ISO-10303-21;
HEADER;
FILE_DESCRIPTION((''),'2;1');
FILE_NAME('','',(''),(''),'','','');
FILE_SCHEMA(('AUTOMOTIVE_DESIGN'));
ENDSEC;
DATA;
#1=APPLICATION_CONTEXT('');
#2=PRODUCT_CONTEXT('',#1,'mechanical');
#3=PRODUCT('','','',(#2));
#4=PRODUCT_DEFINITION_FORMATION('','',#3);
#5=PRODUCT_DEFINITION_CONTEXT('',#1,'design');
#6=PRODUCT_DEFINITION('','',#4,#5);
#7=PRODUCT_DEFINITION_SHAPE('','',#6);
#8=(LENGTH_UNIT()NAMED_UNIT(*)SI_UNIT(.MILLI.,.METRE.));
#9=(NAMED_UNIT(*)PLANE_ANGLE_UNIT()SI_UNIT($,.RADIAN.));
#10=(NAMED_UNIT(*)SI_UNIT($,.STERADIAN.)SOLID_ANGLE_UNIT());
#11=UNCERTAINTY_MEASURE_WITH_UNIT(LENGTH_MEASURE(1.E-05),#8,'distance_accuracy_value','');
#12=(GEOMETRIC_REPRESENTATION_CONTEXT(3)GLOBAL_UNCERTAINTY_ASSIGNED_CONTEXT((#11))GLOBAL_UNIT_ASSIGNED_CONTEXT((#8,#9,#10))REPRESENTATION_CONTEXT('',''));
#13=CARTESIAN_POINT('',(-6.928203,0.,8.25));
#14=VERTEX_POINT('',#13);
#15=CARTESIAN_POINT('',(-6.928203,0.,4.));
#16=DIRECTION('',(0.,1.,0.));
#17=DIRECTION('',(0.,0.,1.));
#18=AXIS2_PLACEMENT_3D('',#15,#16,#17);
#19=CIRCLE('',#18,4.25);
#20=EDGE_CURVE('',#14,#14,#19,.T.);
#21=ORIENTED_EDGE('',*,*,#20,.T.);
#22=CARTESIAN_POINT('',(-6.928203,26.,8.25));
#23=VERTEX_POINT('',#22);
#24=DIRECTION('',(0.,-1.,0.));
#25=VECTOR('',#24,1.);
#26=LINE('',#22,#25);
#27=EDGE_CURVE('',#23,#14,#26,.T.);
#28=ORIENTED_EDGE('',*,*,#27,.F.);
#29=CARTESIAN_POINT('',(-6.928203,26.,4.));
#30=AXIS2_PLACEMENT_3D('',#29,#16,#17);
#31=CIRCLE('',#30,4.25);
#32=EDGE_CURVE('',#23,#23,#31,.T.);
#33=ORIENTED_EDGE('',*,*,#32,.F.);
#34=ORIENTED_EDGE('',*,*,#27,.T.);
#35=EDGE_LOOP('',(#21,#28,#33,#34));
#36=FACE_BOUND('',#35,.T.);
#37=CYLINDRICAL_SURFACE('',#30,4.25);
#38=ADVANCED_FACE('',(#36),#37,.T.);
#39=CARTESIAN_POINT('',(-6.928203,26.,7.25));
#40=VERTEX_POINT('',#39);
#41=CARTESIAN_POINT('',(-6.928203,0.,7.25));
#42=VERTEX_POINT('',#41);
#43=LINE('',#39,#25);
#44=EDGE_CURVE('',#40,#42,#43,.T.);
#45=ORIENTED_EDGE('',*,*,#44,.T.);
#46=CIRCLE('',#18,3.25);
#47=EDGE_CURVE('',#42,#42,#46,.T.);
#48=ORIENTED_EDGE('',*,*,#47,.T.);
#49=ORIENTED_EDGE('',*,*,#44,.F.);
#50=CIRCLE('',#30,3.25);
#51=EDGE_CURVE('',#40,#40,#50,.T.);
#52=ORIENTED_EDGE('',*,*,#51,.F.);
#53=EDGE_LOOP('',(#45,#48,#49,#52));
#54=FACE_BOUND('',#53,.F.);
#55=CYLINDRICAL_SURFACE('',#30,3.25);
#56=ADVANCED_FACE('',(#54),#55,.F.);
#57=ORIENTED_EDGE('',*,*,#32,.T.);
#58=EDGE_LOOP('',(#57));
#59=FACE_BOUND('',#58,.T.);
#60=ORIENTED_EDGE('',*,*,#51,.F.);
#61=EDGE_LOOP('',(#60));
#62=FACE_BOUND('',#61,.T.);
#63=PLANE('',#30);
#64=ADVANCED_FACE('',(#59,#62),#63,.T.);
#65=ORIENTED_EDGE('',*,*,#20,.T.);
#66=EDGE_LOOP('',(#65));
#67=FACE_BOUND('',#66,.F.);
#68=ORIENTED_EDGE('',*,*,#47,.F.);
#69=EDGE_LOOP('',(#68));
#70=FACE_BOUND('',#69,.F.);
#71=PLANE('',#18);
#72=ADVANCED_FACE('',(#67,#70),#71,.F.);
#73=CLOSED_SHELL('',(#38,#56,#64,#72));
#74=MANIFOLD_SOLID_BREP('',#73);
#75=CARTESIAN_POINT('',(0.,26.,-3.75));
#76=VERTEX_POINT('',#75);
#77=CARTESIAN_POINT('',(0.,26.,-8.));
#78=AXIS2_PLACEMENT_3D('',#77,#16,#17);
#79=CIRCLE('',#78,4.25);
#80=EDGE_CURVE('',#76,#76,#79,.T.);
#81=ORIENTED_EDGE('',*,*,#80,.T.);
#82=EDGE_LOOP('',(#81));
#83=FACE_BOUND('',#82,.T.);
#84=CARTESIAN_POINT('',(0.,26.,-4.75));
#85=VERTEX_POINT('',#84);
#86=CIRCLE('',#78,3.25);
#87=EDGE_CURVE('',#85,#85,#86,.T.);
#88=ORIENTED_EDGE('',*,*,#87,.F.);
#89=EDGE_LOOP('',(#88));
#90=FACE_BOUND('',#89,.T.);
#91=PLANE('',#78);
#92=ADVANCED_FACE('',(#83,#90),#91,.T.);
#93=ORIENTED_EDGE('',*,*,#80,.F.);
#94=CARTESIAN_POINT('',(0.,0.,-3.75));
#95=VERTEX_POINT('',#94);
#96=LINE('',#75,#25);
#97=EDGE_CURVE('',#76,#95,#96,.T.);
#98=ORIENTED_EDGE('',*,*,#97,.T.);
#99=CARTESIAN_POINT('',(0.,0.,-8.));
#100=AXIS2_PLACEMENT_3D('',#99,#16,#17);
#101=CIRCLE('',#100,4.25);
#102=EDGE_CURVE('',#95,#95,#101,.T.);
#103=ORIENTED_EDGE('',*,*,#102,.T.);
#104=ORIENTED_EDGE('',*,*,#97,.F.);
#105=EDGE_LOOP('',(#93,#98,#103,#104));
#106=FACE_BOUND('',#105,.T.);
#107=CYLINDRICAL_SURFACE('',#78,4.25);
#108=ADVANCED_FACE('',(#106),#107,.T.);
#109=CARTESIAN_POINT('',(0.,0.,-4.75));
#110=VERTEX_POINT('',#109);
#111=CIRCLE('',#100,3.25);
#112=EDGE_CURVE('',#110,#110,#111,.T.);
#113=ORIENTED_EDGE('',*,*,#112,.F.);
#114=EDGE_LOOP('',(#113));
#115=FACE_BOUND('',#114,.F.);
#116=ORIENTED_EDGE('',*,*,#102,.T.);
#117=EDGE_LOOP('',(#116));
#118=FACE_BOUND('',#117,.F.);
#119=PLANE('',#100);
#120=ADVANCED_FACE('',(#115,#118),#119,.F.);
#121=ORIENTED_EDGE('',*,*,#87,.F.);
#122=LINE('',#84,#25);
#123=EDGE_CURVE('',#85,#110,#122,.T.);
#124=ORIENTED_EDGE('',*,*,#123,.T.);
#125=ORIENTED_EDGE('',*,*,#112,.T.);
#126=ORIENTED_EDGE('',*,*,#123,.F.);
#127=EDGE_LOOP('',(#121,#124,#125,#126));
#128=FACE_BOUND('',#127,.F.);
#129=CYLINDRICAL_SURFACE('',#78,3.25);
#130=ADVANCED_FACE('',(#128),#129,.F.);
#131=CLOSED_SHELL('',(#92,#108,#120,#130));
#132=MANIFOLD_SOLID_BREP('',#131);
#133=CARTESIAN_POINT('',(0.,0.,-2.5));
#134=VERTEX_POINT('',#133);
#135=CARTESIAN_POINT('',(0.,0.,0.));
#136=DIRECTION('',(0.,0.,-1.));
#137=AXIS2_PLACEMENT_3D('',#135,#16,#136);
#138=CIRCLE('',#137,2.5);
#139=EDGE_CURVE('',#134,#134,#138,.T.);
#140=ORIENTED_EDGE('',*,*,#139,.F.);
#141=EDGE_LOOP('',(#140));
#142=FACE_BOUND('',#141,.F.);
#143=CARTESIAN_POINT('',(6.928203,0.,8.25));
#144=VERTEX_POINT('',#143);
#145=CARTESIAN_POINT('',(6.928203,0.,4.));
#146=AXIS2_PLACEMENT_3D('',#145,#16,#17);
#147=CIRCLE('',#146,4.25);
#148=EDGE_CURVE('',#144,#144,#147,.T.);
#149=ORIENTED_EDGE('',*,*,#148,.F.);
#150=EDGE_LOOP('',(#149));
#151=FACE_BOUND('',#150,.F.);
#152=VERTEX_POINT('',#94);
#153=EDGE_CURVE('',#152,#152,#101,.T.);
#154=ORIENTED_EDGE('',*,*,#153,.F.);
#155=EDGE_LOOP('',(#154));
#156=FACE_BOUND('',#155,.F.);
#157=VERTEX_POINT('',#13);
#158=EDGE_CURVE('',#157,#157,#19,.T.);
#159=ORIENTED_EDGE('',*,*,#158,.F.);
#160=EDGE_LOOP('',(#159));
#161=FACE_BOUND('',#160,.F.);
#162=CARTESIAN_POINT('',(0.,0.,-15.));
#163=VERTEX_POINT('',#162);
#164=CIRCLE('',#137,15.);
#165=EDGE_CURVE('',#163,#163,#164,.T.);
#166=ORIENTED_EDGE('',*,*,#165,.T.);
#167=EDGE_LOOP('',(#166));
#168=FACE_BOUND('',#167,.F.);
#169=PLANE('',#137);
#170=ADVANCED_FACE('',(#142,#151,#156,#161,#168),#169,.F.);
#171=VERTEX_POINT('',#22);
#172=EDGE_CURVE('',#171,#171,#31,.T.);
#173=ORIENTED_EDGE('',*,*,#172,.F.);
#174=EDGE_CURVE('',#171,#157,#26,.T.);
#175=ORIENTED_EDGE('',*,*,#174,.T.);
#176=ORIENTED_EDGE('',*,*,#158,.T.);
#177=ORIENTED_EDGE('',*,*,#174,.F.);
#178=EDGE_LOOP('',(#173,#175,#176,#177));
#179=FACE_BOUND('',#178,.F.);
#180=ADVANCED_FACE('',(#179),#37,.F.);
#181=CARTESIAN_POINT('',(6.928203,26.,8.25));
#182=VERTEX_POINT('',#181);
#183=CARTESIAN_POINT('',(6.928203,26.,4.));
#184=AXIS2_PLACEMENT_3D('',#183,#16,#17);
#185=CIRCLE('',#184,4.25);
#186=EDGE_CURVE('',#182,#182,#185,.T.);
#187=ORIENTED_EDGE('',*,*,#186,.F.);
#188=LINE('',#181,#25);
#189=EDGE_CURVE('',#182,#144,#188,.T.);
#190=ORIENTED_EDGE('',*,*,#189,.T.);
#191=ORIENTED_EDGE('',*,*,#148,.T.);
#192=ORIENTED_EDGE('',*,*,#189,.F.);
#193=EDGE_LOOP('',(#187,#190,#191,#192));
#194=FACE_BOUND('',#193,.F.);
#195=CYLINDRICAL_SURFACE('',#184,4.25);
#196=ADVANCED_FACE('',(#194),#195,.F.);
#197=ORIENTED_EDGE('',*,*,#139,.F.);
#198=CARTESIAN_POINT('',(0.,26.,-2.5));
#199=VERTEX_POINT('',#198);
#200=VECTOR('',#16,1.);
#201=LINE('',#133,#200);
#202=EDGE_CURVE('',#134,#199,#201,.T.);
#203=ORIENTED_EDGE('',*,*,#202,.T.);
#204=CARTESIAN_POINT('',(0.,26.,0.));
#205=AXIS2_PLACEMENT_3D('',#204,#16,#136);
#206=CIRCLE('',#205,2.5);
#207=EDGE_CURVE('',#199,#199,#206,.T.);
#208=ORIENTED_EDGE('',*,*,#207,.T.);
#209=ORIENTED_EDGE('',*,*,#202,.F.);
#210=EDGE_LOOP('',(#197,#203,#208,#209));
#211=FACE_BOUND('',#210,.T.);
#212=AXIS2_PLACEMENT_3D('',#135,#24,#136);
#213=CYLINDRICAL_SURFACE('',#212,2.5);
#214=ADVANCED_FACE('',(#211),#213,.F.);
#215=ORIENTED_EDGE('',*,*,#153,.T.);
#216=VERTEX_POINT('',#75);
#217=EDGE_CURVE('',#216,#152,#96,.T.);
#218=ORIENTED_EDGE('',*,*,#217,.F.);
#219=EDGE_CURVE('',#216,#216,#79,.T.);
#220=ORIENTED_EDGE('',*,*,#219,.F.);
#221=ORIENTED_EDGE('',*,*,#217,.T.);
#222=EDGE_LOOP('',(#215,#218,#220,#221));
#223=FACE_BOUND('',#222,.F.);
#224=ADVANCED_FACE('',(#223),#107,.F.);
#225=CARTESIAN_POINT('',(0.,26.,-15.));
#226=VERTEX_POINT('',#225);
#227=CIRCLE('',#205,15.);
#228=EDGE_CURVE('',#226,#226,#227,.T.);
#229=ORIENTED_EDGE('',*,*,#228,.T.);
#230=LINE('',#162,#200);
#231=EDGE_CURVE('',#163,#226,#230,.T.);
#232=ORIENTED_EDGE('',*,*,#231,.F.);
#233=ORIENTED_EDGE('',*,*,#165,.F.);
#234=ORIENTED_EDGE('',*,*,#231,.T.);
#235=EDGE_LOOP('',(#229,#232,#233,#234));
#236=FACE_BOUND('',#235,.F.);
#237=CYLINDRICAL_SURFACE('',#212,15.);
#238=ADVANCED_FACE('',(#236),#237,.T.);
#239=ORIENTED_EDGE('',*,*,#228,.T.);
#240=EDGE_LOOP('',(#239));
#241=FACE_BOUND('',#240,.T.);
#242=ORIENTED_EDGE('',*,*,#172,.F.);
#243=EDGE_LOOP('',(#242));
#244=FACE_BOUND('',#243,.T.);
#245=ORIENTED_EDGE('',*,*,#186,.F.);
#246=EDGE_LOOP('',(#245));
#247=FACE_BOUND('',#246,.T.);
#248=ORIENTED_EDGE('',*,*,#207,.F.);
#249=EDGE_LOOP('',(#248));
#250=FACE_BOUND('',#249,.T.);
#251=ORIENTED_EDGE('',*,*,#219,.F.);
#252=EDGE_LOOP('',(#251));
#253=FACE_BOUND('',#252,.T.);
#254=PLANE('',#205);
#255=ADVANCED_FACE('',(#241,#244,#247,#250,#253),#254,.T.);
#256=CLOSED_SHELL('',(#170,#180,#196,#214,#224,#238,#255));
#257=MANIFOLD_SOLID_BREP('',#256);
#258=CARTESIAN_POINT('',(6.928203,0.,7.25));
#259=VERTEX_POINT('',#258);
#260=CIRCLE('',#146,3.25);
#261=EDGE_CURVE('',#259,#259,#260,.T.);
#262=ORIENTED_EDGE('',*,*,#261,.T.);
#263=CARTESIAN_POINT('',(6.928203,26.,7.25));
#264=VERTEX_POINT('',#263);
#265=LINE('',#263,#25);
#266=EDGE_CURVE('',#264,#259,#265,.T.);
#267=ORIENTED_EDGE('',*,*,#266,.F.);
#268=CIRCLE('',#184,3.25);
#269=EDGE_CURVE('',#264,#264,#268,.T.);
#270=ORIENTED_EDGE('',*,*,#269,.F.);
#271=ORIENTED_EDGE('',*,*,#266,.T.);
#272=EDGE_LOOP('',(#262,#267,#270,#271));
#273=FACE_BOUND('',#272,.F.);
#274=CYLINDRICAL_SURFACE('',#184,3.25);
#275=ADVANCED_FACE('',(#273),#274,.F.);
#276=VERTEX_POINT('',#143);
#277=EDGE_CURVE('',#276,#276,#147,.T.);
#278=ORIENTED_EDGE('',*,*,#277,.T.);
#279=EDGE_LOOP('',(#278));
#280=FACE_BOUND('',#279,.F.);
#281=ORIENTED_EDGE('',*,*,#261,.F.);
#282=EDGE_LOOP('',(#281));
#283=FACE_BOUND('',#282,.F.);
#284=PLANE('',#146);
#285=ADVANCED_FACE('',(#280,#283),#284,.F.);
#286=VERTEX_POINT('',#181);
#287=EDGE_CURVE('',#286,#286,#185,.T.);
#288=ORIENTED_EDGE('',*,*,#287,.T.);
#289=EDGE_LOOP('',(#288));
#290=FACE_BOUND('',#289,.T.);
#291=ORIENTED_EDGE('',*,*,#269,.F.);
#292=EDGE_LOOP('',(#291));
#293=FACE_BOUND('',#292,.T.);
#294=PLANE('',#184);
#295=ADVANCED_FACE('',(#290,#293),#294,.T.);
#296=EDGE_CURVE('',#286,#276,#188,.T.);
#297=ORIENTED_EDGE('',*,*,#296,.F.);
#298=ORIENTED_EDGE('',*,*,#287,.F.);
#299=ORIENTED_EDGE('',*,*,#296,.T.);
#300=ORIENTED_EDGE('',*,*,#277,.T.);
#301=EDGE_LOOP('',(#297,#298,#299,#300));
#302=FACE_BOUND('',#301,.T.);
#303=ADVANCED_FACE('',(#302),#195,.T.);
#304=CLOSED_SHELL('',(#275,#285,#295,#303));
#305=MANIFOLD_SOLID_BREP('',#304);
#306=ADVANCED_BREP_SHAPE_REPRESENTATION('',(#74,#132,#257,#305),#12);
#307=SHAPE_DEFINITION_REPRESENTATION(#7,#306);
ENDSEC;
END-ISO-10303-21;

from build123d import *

# Parameters (mm, degrees)
IZIM1_R                       = 15
IZIM1_R_2                     = 2.5
Y_KSEKLIK_EKSTR_ZYON1_DEPTH   = 26
IZIM2_R                       = 4.25
KES_EKSTR_ZYON2_DEPTH         = 34.555923471
IZIM5_R                       = 4.25
IZIM5_R_2                     = 3.25
Y_KSEKLIK_EKSTR_ZYON4_DEPTH   = 26
Y_KSEKLIK_EKSTR_ZYON4_2_DEPTH = 26
Y_KSEKLIK_EKSTR_ZYON4_3_DEPTH = 26


with BuildPart() as part:
    # Çizim1 → Yükseklik-Ekstrüzyon1 (new body)
    with BuildSketch(Plane(origin=(0, 0, 0), x_dir=(1, 0, 0), z_dir=(0, 1, 0))):
        with Locations(Location((0, 0, 0), (0, 0, 90))):
            Circle(IZIM1_R)
        with Locations(Location((0, 0, 0), (0, 0, 90))):
            Circle(IZIM1_R_2, mode=Mode.SUBTRACT)
    extrude(amount=Y_KSEKLIK_EKSTR_ZYON1_DEPTH)

    # Çizim2 → Kes-Ekstrüzyon2 (cut, through all)
    with BuildSketch(Plane(origin=(0, 26, 0), x_dir=(1, 0, 0), z_dir=(0, 1, 0))):
        with Locations(Location((0, 8, 0), (0, 0, 270))):
            Circle(IZIM2_R)
        with Locations(Location((6.92820323, -4, 0), (0, 0, 270))):
            Circle(IZIM2_R)
        with Locations(Location((-6.92820323, -4, 0), (0, 0, 270))):
            Circle(IZIM2_R)
    extrude(amount=-KES_EKSTR_ZYON2_DEPTH, mode=Mode.SUBTRACT)


with BuildPart() as body_2:
    # Çizim5 → Yükseklik-Ekstrüzyon4 (new, through all)
    with BuildSketch(Plane(origin=(0, 26, 0), x_dir=(1, 0, 0), z_dir=(0, 1, 0))):
        with Locations(Location((6.92820323, -4, 0), (0, 0, 270))):
            Circle(IZIM5_R)
        with Locations(Location((6.92820323, -4, 0), (0, 0, 270))):
            Circle(IZIM5_R_2, mode=Mode.SUBTRACT)
    extrude(amount=-Y_KSEKLIK_EKSTR_ZYON4_DEPTH)


with BuildPart() as body_3:
    # Çizim5 → Y_kseklik-Ekstr_zyon4 2 (new, through all)
    with BuildSketch(Plane(origin=(0, 26, 0), x_dir=(1, 0, 0), z_dir=(0, 1, 0))):
        with Locations(Location((-6.92820323, -4, 0), (0, 0, 270))):
            Circle(IZIM5_R)
        with Locations(Location((-6.92820323, -4, 0), (0, 0, 270))):
            Circle(IZIM5_R_2, mode=Mode.SUBTRACT)
    extrude(amount=-Y_KSEKLIK_EKSTR_ZYON4_2_DEPTH)


with BuildPart() as body_4:
    # Çizim5 → Y_kseklik-Ekstr_zyon4 3 (new, through all)
    with BuildSketch(Plane(origin=(0, 26, 0), x_dir=(1, 0, 0), z_dir=(0, 1, 0))):
        with Locations(Location((0, 8, 0), (0, 0, 270))):
            Circle(IZIM5_R)
        with Locations(Location((0, 8, 0), (0, 0, 270))):
            Circle(IZIM5_R_2, mode=Mode.SUBTRACT)
    extrude(amount=-Y_KSEKLIK_EKSTR_ZYON4_3_DEPTH)


solid = Compound([part.part, body_2.part, body_3.part, body_4.part])
